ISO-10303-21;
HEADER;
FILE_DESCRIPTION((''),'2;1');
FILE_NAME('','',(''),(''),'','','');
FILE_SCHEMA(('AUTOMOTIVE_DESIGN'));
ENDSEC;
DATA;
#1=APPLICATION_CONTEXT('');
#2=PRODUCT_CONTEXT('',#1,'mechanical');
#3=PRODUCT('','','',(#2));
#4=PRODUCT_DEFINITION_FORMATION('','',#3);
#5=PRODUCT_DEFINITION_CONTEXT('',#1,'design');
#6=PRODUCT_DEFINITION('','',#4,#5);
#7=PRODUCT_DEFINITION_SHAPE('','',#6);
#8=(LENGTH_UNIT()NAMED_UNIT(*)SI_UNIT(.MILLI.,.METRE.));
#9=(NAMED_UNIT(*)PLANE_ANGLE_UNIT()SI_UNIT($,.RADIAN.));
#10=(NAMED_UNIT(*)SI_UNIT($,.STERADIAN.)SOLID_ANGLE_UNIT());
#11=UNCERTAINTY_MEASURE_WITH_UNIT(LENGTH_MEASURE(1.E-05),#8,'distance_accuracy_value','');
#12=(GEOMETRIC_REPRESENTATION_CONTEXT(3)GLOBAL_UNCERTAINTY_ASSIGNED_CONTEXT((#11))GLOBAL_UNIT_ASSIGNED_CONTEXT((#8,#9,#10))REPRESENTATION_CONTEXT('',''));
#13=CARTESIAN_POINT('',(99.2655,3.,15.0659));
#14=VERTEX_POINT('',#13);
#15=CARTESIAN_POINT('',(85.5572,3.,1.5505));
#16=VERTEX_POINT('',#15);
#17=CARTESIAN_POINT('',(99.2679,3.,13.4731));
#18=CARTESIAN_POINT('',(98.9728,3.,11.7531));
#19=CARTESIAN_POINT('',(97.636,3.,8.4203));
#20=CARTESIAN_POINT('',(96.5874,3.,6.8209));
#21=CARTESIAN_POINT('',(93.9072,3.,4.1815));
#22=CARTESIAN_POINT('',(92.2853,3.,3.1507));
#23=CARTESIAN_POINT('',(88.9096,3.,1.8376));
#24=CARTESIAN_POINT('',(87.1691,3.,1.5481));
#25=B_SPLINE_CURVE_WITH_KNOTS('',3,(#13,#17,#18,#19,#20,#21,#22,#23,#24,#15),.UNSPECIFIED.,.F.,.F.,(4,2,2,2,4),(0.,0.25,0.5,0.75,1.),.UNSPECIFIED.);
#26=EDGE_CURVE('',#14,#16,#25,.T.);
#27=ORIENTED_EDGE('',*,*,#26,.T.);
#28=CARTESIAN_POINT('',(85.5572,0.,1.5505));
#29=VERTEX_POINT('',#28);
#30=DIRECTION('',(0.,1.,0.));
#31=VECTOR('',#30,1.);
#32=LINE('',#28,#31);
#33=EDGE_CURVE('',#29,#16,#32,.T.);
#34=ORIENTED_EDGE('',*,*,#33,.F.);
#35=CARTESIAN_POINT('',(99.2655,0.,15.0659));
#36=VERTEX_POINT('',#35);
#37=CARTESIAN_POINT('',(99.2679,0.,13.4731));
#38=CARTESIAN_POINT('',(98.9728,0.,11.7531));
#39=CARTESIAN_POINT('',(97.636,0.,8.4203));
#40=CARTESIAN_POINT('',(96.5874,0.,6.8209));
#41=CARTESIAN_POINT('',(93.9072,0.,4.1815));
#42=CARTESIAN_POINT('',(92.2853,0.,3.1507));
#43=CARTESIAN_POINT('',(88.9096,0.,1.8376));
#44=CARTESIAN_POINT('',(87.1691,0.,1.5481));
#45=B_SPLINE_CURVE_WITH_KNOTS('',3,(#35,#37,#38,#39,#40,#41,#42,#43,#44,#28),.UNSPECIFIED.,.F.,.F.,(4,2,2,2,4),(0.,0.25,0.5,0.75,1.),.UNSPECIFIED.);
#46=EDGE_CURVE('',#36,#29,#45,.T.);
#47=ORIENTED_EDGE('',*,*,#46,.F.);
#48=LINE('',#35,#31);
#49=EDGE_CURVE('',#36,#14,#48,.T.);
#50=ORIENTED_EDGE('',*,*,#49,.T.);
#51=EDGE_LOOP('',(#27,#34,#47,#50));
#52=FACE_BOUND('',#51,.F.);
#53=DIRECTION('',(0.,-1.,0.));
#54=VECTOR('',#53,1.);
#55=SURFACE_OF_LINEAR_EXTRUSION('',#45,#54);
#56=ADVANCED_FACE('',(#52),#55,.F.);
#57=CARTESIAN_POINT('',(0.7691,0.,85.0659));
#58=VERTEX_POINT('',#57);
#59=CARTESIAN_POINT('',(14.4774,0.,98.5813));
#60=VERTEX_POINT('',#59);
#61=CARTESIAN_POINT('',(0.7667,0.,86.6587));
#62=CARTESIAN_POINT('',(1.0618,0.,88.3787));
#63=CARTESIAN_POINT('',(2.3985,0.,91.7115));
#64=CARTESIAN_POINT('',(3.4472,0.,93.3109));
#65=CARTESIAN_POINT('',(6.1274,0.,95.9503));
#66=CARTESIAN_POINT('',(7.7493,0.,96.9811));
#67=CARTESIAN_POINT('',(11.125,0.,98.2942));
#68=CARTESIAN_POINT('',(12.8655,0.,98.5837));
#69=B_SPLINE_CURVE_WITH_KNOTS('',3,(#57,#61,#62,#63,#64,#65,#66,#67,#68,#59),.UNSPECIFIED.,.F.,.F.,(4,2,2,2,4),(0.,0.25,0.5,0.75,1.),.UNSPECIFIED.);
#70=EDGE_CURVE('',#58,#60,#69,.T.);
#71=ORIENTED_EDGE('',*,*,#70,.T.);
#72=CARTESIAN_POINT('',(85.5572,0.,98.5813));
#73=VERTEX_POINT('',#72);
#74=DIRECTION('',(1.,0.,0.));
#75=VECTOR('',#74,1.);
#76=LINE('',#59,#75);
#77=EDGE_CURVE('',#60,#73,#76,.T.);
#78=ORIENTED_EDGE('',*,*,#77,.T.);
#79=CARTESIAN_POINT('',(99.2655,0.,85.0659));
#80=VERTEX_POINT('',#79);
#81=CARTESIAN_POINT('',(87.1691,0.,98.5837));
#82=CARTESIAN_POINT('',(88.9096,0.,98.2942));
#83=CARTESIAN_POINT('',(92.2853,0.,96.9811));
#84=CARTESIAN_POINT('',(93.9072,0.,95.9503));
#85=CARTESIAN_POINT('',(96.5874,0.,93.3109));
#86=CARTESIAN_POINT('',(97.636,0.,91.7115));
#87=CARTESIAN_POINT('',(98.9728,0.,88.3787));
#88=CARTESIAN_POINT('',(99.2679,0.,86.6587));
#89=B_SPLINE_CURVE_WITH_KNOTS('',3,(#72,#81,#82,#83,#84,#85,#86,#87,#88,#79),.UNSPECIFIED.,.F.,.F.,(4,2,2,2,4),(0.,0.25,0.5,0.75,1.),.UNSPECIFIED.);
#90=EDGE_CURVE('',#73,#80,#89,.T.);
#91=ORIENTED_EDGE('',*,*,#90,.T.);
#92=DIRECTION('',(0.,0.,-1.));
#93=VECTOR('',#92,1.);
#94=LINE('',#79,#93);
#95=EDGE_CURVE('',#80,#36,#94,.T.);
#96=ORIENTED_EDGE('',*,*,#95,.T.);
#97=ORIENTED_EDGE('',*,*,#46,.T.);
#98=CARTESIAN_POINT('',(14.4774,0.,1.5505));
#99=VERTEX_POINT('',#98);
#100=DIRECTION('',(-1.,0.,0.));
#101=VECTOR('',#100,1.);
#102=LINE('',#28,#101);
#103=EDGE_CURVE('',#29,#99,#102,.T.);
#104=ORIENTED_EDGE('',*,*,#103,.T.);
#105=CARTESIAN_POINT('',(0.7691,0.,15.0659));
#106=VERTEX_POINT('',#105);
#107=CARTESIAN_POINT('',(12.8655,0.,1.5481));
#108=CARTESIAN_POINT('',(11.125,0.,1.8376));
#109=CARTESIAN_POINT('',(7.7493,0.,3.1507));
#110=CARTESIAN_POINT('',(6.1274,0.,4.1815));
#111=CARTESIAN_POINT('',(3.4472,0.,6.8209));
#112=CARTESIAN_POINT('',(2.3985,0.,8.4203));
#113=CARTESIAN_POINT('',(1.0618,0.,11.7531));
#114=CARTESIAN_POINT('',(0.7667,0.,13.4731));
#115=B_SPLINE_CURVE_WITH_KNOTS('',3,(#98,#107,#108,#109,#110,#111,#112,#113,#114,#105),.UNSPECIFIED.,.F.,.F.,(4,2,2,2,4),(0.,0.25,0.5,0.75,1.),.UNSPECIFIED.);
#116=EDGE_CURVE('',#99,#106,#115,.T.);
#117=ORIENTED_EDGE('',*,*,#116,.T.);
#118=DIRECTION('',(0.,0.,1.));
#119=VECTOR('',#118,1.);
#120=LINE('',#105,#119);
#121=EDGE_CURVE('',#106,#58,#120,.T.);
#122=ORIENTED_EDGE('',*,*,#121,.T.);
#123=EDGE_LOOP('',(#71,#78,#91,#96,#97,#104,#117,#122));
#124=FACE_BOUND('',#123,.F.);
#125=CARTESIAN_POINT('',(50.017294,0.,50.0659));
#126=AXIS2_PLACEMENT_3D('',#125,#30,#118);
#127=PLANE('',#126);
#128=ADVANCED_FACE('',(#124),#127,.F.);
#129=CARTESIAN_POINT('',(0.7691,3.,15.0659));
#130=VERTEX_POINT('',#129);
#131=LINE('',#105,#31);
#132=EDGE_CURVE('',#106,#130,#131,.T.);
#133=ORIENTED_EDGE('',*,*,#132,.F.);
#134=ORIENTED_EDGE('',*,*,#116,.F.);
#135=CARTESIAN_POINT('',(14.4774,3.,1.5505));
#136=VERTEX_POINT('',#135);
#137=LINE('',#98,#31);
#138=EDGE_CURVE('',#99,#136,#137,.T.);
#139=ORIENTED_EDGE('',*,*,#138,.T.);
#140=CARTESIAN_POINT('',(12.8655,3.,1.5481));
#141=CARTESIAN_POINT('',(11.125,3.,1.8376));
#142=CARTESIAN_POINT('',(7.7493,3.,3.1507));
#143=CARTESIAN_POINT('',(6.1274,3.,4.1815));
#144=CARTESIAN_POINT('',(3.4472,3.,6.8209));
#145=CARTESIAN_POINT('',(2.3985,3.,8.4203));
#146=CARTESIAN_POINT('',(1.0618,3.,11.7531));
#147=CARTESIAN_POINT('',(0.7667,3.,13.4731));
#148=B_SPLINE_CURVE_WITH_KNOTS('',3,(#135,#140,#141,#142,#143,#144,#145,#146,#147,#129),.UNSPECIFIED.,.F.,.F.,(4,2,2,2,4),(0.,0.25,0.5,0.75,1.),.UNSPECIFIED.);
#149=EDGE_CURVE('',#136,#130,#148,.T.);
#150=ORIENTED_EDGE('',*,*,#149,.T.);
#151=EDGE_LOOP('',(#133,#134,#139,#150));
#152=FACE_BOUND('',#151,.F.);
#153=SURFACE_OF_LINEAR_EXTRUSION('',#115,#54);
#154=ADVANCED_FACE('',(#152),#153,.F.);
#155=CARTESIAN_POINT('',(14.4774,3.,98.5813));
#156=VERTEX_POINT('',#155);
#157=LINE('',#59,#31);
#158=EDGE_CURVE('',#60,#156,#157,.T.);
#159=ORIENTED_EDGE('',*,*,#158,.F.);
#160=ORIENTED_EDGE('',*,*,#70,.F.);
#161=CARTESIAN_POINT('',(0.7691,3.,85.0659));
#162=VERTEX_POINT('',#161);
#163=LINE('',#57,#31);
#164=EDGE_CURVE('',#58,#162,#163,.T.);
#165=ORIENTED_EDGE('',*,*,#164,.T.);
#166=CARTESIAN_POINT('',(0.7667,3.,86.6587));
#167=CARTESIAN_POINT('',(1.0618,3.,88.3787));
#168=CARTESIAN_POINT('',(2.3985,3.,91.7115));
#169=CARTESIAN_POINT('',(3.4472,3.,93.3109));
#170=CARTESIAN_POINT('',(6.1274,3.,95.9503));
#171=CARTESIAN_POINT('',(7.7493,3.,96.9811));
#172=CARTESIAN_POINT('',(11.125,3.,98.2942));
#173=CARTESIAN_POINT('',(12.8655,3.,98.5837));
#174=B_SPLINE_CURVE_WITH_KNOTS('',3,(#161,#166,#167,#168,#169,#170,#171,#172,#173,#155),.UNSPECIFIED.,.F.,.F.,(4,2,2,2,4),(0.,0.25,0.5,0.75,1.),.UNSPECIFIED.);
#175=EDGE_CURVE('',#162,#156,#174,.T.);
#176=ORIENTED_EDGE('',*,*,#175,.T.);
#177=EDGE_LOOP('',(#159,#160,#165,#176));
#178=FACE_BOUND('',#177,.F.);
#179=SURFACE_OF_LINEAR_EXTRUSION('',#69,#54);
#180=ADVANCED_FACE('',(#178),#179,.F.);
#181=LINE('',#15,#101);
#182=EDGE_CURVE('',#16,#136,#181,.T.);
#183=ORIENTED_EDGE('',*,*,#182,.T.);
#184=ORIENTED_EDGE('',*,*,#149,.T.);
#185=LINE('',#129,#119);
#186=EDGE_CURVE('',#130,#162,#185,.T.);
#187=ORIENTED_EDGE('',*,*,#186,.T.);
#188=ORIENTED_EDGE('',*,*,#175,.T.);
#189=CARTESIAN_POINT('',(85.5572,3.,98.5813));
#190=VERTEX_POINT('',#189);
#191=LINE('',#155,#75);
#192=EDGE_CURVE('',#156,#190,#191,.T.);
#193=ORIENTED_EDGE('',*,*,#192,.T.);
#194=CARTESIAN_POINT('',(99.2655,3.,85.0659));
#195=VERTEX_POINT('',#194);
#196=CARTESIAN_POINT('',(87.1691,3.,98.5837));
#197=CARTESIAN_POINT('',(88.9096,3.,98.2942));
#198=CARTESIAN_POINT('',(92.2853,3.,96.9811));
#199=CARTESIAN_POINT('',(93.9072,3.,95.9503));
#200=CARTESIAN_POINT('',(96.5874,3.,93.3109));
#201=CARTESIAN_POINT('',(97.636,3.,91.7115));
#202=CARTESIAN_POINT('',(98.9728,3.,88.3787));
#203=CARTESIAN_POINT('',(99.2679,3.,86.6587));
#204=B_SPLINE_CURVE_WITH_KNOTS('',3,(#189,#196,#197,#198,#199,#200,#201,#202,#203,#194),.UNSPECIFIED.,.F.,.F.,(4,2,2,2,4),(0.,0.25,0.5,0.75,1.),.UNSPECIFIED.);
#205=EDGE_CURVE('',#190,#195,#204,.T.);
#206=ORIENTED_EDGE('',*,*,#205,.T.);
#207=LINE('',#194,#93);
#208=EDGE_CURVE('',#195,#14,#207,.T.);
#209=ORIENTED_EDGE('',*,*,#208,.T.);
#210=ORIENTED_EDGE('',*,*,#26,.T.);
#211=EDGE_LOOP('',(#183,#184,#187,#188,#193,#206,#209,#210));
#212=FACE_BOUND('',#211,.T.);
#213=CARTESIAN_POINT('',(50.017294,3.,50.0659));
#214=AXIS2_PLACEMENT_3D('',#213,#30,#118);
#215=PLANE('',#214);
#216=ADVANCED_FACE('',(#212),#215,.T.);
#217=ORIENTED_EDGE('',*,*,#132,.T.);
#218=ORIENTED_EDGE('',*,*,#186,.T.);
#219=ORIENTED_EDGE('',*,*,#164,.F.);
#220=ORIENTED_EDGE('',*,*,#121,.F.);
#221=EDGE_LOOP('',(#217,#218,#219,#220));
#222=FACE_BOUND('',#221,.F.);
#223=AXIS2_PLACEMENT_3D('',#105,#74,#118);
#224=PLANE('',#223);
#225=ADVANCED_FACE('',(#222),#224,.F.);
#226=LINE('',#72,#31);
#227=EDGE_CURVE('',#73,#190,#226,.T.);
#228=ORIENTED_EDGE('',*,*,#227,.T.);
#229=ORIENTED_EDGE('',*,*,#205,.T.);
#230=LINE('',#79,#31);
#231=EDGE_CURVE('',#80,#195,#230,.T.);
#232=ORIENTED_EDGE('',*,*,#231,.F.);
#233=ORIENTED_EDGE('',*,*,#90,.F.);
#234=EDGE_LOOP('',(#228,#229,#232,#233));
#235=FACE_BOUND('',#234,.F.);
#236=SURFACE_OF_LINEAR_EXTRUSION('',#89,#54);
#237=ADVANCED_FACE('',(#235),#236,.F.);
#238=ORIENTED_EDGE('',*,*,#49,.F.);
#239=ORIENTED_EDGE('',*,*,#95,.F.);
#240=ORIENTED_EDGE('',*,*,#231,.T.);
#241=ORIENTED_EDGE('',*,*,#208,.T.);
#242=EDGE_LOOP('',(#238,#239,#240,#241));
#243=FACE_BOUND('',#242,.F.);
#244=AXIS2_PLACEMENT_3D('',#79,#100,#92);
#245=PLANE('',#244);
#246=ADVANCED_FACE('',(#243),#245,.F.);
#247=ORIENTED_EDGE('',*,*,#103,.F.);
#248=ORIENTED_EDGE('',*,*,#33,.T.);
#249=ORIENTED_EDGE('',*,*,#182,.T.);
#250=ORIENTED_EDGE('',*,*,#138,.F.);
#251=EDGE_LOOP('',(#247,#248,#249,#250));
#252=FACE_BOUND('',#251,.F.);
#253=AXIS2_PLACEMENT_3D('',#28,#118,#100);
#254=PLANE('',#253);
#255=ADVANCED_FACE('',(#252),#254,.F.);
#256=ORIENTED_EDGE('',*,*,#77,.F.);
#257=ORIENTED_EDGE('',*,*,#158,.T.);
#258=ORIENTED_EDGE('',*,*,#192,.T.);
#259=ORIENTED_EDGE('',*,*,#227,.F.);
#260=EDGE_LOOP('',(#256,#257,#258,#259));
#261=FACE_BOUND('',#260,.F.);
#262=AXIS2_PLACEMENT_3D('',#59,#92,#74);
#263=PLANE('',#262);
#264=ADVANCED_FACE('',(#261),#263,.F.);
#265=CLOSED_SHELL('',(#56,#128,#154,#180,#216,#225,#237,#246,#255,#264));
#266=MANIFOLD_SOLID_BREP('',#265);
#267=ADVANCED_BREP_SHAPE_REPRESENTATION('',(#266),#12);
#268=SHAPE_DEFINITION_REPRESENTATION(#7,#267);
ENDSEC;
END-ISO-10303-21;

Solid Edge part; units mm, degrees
sketch "Sketch1" plane through (0, 0, 0) normal (0, -1, 0) x (1, 0, 0)
  line L0 (14.4774, 98.5813) -> (85.5572, 98.5813)
  spline S0 degree 3 poles (85.5572, 98.5813) (87.1691, 98.5837) (88.9096, 98.2942) (92.2853, 96.9811) (93.9072, 95.9503) (96.5874, 93.3109) (97.636, 91.7115) (98.9728, 88.3787) (99.2679, 86.6587) (99.2655, 85.0659) knots 0 0 0 0 0.25 0.25 0.5 0.5 0.75 0.75 1 1 1 1
  line L1 (99.2655, 85.0659) -> (99.2655, 15.0659)
  spline S1 degree 3 poles (99.2655, 15.0659) (99.2679, 13.4731) (98.9728, 11.7531) (97.636, 8.4203) (96.5874, 6.8209) (93.9072, 4.1815) (92.2853, 3.1507) (88.9096, 1.8376) (87.1691, 1.5481) (85.5572, 1.5505) knots 0 0 0 0 0.25 0.25 0.5 0.5 0.75 0.75 1 1 1 1
  line L2 (85.5572, 1.5505) -> (14.4774, 1.5505)
  spline S2 degree 3 poles (14.4774, 1.5505) (12.8655, 1.5481) (11.125, 1.8376) (7.7493, 3.1507) (6.1274, 4.1815) (3.4472, 6.8209) (2.3985, 8.4203) (1.0618, 11.7531) (0.7667, 13.4731) (0.7691, 15.0659) knots 0 0 0 0 0.25 0.25 0.5 0.5 0.75 0.75 1 1 1 1
  line L3 (0.7691, 15.0659) -> (0.7691, 85.0659)
  spline S3 degree 3 poles (0.7691, 85.0659) (0.7667, 86.6587) (1.0618, 88.3787) (2.3985, 91.7115) (3.4472, 93.3109) (6.1274, 95.9503) (7.7493, 96.9811) (11.125, 98.2942) (12.8655, 98.5837) (14.4774, 98.5813) knots 0 0 0 0 0.25 0.25 0.5 0.5 0.75 0.75 1 1 1 1
  dimension "D1" = 48.2691
  dimension "D2" = 70
  dimension "D3" = 70
extrude "Protrusion1" add sketch "Sketch1" against normal blind 3
properties material "ABS Plastic, high impact"
